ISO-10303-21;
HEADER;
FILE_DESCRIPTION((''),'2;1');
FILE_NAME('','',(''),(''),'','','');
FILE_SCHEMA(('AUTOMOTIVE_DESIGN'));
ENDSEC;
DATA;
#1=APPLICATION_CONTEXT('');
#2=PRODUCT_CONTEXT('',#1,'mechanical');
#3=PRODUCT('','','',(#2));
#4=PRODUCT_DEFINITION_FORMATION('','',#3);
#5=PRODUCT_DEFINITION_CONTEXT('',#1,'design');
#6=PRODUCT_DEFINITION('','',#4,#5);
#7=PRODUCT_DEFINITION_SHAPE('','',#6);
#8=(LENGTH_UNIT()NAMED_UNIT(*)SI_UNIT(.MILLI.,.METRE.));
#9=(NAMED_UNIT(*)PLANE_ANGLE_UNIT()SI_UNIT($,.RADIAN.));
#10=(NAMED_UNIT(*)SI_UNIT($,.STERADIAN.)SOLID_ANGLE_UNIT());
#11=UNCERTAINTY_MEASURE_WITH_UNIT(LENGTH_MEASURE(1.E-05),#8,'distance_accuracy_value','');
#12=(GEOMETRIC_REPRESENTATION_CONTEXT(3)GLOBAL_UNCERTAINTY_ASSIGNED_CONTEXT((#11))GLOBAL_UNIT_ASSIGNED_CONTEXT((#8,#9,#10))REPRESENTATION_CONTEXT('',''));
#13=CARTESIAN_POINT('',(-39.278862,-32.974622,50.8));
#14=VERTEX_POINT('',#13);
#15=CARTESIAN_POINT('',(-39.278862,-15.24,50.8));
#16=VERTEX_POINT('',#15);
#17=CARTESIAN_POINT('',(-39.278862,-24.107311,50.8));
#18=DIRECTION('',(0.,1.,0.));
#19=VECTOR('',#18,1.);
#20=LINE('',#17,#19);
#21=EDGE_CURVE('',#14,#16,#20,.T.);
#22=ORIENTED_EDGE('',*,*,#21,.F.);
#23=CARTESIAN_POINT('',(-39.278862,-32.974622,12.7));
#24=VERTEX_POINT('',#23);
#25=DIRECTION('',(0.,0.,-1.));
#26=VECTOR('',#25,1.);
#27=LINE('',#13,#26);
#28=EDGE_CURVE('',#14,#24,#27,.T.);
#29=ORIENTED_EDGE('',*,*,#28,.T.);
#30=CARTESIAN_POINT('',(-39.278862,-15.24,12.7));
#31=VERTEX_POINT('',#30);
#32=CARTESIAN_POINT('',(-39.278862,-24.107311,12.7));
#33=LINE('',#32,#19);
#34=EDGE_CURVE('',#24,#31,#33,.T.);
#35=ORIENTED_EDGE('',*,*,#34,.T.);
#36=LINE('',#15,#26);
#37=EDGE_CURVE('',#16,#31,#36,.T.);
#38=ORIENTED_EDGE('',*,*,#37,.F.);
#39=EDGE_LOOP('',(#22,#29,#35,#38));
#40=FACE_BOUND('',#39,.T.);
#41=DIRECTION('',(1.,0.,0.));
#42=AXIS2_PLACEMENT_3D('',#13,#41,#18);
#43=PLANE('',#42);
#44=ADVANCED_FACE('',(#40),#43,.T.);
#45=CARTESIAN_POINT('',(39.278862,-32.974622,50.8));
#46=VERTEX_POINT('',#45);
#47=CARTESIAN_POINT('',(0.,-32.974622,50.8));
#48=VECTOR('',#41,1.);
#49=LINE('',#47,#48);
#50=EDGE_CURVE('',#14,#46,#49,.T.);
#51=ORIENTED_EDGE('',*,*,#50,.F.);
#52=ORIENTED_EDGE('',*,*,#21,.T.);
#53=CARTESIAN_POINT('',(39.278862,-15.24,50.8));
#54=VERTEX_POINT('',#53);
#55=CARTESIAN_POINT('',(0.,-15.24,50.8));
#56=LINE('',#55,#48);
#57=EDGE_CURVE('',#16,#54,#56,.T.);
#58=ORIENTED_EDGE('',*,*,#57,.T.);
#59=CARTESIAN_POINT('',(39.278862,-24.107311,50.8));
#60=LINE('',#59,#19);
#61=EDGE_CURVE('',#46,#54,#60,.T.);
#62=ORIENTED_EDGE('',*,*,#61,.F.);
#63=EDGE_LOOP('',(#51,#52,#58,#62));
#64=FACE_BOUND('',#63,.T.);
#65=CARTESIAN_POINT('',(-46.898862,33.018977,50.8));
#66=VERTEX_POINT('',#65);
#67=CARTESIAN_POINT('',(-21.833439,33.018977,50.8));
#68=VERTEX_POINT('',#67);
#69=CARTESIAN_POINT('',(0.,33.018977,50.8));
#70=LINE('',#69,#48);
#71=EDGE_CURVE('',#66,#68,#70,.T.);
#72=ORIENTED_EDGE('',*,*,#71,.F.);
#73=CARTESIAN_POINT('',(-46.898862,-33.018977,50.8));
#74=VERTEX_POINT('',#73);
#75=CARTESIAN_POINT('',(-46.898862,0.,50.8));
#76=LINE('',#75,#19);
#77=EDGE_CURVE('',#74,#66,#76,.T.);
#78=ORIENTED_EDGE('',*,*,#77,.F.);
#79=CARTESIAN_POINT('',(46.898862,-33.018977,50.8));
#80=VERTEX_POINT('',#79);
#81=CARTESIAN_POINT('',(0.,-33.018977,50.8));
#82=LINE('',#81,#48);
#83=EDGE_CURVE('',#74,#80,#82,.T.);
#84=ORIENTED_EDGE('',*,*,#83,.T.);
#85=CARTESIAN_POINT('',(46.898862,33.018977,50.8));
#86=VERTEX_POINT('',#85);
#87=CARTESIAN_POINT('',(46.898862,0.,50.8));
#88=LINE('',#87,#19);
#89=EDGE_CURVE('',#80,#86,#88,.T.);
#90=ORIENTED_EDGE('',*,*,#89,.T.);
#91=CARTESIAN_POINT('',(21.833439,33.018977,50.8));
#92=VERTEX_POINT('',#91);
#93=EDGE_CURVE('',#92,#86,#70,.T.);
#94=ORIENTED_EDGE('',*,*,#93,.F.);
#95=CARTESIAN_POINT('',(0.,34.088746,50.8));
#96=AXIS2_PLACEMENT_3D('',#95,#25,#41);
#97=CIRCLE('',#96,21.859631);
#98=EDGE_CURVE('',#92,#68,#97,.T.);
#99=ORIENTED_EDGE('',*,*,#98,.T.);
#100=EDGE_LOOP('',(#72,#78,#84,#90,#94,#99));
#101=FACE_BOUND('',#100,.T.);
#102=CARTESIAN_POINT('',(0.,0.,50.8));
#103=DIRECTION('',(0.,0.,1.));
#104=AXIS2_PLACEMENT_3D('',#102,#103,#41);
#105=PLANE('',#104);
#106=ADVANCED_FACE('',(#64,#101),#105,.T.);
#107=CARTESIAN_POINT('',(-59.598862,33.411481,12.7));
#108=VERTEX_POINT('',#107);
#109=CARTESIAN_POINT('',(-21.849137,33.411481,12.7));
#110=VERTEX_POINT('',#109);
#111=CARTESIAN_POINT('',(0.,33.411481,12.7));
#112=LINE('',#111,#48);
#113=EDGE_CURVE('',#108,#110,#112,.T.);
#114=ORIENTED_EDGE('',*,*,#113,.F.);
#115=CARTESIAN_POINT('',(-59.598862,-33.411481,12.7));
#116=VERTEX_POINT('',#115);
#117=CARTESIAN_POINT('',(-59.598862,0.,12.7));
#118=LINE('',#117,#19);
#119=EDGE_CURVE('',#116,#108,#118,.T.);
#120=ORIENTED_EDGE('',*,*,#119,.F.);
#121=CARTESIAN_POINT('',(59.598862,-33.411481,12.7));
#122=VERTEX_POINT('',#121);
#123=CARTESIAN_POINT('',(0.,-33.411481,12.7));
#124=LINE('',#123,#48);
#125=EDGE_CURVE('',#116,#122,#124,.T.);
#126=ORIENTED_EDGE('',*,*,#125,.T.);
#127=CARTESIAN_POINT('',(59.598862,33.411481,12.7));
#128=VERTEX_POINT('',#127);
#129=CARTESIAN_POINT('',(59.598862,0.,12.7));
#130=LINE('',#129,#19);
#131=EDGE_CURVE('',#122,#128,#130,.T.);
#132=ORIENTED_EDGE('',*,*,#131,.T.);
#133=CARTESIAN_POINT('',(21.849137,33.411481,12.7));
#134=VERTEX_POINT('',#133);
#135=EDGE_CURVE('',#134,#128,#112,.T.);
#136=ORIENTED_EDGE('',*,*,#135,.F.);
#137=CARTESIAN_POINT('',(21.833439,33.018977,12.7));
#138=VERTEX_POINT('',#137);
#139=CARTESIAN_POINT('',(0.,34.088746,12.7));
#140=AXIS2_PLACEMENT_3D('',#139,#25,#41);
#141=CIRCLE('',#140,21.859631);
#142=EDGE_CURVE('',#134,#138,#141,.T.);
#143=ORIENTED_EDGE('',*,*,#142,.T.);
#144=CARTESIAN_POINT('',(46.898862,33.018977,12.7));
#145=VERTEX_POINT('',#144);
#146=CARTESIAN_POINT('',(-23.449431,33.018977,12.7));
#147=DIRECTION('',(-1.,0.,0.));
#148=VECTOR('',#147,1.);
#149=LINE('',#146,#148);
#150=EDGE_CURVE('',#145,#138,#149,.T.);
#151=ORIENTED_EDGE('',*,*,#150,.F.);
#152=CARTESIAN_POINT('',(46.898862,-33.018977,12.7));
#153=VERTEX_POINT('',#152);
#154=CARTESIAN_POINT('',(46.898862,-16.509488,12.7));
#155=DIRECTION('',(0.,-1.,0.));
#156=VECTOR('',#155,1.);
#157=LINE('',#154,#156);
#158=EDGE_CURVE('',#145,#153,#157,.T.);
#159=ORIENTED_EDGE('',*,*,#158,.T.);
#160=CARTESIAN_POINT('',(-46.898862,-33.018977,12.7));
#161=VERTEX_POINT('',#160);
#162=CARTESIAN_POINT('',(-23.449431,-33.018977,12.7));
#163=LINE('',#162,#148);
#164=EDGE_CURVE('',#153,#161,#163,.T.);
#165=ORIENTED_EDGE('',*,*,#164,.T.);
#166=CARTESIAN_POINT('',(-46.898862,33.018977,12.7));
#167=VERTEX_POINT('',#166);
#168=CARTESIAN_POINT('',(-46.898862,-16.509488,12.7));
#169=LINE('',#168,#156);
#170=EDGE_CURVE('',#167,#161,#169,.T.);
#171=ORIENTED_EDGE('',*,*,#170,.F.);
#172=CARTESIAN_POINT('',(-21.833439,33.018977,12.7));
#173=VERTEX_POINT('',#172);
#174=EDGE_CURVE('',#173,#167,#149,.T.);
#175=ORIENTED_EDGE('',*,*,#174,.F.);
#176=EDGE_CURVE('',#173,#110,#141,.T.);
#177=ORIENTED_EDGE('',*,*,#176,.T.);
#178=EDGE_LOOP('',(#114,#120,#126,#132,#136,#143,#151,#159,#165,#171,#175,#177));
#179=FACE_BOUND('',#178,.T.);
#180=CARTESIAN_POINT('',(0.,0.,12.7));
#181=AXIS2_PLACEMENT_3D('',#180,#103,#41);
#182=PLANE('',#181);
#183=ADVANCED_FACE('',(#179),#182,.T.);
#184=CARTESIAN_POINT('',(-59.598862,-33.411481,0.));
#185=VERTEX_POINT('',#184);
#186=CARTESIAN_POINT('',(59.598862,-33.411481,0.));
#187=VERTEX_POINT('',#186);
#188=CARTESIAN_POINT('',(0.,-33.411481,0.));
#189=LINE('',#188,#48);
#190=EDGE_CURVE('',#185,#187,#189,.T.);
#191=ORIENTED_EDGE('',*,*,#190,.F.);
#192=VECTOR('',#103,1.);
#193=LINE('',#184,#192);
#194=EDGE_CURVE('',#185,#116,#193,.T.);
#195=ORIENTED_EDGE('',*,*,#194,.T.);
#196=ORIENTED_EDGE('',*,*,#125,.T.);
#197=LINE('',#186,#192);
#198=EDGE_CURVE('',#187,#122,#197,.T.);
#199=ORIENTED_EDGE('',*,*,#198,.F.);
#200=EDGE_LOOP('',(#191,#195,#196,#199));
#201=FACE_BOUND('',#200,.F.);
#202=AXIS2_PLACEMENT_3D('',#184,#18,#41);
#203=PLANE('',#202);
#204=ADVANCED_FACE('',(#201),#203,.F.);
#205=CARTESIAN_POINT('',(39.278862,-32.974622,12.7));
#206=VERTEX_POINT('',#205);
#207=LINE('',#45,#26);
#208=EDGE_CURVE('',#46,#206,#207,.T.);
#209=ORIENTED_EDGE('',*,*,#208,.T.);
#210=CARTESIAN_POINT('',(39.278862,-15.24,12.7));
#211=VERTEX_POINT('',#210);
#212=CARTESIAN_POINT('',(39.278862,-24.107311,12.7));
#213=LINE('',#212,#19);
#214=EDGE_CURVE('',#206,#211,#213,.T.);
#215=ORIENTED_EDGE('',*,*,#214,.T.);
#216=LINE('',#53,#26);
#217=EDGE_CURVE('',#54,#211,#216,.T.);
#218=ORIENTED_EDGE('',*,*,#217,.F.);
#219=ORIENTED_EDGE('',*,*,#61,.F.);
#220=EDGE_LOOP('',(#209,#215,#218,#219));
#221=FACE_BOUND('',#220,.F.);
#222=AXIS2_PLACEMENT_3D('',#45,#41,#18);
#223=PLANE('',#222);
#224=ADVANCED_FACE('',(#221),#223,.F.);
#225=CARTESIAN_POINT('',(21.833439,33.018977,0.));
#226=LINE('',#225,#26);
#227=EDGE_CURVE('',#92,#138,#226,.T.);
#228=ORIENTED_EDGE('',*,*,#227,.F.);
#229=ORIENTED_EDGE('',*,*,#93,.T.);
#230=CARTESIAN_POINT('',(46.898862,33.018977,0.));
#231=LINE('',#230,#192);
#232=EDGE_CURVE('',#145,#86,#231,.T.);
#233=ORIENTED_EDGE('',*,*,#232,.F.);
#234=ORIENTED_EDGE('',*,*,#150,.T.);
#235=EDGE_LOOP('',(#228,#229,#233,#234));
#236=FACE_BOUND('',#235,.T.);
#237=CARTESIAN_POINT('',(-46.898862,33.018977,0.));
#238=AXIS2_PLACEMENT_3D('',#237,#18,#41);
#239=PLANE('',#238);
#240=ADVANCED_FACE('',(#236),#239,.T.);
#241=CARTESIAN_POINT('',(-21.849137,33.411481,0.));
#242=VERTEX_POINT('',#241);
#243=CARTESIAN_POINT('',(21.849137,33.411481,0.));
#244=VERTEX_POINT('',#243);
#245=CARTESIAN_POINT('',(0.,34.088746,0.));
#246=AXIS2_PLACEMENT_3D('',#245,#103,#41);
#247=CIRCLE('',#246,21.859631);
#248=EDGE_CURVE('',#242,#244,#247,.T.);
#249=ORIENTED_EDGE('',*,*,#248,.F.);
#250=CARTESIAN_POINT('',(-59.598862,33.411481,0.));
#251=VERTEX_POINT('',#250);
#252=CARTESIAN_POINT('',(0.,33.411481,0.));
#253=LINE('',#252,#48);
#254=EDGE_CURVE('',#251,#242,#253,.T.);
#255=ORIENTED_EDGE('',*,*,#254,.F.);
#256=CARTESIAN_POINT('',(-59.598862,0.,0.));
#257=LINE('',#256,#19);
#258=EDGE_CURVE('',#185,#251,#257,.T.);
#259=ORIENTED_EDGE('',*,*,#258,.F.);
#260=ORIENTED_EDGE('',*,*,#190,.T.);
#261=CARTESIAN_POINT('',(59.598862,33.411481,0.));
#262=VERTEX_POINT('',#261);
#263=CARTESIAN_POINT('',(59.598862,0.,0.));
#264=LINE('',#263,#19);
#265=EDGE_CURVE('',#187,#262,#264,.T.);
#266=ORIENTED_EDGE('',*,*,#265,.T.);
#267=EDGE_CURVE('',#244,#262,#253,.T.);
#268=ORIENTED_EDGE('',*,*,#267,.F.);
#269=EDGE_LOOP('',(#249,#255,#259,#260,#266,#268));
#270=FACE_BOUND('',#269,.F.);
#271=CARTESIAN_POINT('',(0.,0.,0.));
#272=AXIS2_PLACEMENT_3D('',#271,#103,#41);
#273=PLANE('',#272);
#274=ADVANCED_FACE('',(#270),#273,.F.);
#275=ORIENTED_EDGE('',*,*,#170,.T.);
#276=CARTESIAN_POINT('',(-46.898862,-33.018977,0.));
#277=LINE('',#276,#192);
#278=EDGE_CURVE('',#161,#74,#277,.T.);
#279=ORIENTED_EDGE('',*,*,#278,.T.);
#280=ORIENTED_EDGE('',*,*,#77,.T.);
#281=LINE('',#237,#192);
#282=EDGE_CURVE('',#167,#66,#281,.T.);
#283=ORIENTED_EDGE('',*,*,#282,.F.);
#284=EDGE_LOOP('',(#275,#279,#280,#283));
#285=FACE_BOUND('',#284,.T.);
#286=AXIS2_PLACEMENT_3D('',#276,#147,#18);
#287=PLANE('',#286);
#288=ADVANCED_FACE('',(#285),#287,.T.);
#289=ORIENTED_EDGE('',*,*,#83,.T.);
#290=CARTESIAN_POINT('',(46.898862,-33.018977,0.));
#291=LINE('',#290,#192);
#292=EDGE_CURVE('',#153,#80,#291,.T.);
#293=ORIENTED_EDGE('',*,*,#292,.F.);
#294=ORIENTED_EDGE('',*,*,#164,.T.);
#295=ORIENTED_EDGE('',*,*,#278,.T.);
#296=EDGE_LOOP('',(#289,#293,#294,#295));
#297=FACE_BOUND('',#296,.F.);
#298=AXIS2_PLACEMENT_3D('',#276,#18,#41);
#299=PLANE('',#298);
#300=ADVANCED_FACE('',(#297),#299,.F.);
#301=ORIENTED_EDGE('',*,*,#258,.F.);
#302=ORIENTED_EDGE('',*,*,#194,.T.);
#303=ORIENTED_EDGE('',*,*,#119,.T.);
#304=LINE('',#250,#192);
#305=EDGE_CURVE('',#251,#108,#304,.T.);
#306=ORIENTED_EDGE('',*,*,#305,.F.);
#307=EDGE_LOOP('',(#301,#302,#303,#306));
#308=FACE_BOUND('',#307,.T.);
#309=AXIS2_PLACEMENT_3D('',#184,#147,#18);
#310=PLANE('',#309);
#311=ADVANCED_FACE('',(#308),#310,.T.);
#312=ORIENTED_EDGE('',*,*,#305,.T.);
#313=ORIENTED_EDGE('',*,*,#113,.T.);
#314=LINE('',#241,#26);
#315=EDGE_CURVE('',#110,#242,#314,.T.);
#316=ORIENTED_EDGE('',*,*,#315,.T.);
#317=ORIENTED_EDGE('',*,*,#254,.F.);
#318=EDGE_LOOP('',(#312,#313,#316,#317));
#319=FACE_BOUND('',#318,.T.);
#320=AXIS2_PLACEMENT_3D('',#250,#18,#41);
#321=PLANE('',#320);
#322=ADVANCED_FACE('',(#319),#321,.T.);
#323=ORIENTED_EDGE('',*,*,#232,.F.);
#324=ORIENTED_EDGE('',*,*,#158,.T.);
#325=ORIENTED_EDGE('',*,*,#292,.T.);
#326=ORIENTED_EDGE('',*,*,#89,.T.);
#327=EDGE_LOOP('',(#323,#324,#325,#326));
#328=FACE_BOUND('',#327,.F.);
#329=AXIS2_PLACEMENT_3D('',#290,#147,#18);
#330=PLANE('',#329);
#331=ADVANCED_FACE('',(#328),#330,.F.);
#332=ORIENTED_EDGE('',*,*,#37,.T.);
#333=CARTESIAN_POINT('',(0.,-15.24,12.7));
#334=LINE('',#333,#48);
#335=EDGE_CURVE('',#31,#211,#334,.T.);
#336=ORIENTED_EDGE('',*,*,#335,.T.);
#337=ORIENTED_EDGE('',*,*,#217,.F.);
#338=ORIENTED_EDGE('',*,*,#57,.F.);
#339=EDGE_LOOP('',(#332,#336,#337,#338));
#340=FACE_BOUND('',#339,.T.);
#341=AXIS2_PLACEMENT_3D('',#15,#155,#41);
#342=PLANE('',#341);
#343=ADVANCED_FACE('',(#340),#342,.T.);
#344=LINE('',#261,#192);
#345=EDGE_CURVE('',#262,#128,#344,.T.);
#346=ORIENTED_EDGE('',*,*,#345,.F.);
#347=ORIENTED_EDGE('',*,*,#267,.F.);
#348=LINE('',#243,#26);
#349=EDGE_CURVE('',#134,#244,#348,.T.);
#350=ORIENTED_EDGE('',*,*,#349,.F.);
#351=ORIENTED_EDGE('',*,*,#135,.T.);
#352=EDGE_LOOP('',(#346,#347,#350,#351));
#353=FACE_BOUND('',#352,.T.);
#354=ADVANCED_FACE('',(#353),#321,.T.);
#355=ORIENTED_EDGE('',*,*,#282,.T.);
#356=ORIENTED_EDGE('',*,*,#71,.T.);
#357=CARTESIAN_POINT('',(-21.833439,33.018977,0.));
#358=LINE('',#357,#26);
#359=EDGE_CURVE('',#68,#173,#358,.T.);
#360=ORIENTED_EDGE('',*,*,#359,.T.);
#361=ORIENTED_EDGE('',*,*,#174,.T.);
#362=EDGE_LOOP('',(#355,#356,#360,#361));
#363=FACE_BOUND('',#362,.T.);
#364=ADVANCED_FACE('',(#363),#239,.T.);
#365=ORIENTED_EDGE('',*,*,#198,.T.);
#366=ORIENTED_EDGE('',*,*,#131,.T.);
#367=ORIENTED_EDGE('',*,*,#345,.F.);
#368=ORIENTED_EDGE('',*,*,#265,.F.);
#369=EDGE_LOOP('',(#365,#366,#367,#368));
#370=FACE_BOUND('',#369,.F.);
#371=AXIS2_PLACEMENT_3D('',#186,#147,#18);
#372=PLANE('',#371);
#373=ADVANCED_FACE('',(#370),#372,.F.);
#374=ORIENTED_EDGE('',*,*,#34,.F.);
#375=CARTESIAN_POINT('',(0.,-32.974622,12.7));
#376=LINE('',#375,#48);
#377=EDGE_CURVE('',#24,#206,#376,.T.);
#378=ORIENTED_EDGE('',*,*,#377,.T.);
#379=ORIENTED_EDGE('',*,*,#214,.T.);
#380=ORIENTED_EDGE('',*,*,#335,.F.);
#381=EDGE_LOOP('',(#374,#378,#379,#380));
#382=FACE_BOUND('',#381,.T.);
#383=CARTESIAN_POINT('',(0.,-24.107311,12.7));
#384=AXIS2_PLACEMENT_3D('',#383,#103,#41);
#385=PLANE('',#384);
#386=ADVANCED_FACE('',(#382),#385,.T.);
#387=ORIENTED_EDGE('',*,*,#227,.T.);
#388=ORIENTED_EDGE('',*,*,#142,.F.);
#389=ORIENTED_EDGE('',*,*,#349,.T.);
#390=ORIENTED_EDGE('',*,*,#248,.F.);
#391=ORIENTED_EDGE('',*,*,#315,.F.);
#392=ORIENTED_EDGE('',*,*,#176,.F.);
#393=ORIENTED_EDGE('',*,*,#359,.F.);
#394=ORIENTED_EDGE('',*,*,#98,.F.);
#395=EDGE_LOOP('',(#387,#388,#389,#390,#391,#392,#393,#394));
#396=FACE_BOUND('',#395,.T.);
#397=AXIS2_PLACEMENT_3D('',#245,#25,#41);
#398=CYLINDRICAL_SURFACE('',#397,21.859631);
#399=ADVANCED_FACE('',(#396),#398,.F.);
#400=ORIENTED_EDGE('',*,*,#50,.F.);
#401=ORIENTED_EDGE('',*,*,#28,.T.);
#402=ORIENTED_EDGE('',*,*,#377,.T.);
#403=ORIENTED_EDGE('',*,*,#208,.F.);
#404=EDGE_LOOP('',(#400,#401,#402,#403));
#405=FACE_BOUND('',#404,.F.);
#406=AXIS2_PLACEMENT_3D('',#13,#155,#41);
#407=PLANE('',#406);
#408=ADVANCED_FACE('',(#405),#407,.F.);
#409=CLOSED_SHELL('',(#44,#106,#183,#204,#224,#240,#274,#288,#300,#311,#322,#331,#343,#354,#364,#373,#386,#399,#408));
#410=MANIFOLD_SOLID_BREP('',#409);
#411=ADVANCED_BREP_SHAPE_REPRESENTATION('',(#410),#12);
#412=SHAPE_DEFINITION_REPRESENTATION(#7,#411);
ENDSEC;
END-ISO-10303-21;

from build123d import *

# Parameters (mm, degrees)
F0_W     = 119.197724
F0_H     = 66.822962
F1_DEPTH = 12.7
F2_W     = 93.797724
F2_H     = 66.037954
F3_DEPTH = 50.8
F4_R     = 21.859631
F5_DEPTH = 123.444
F6_W     = 78.557724
F6_H     = 17.734622
F7_DEPTH = 38.1


with BuildPart() as f1:
    # F0 (on Top) → F1 (new body)
    with BuildSketch(Plane.XY):
        Rectangle(F0_W, F0_H)
    extrude(amount=F1_DEPTH)

    # F2 (on Top) → F3 (join)
    with BuildSketch(Plane.XY):
        Rectangle(F2_W, F2_H)
    extrude(amount=F3_DEPTH)

    # F4 (on Top) → F5 (cut)
    with BuildSketch(Plane.XY):
        with Locations((0, 34.088746)):
            Circle(F4_R)
    extrude(amount=F5_DEPTH, mode=Mode.SUBTRACT)

    # F6 (on face) → F7 (cut)
    with BuildSketch(Plane.XY.offset(50.8)):
        with Locations((0, -24.107311)):
            Rectangle(F6_W, F6_H)
    extrude(amount=-F7_DEPTH, mode=Mode.SUBTRACT)


solid = f1.part
